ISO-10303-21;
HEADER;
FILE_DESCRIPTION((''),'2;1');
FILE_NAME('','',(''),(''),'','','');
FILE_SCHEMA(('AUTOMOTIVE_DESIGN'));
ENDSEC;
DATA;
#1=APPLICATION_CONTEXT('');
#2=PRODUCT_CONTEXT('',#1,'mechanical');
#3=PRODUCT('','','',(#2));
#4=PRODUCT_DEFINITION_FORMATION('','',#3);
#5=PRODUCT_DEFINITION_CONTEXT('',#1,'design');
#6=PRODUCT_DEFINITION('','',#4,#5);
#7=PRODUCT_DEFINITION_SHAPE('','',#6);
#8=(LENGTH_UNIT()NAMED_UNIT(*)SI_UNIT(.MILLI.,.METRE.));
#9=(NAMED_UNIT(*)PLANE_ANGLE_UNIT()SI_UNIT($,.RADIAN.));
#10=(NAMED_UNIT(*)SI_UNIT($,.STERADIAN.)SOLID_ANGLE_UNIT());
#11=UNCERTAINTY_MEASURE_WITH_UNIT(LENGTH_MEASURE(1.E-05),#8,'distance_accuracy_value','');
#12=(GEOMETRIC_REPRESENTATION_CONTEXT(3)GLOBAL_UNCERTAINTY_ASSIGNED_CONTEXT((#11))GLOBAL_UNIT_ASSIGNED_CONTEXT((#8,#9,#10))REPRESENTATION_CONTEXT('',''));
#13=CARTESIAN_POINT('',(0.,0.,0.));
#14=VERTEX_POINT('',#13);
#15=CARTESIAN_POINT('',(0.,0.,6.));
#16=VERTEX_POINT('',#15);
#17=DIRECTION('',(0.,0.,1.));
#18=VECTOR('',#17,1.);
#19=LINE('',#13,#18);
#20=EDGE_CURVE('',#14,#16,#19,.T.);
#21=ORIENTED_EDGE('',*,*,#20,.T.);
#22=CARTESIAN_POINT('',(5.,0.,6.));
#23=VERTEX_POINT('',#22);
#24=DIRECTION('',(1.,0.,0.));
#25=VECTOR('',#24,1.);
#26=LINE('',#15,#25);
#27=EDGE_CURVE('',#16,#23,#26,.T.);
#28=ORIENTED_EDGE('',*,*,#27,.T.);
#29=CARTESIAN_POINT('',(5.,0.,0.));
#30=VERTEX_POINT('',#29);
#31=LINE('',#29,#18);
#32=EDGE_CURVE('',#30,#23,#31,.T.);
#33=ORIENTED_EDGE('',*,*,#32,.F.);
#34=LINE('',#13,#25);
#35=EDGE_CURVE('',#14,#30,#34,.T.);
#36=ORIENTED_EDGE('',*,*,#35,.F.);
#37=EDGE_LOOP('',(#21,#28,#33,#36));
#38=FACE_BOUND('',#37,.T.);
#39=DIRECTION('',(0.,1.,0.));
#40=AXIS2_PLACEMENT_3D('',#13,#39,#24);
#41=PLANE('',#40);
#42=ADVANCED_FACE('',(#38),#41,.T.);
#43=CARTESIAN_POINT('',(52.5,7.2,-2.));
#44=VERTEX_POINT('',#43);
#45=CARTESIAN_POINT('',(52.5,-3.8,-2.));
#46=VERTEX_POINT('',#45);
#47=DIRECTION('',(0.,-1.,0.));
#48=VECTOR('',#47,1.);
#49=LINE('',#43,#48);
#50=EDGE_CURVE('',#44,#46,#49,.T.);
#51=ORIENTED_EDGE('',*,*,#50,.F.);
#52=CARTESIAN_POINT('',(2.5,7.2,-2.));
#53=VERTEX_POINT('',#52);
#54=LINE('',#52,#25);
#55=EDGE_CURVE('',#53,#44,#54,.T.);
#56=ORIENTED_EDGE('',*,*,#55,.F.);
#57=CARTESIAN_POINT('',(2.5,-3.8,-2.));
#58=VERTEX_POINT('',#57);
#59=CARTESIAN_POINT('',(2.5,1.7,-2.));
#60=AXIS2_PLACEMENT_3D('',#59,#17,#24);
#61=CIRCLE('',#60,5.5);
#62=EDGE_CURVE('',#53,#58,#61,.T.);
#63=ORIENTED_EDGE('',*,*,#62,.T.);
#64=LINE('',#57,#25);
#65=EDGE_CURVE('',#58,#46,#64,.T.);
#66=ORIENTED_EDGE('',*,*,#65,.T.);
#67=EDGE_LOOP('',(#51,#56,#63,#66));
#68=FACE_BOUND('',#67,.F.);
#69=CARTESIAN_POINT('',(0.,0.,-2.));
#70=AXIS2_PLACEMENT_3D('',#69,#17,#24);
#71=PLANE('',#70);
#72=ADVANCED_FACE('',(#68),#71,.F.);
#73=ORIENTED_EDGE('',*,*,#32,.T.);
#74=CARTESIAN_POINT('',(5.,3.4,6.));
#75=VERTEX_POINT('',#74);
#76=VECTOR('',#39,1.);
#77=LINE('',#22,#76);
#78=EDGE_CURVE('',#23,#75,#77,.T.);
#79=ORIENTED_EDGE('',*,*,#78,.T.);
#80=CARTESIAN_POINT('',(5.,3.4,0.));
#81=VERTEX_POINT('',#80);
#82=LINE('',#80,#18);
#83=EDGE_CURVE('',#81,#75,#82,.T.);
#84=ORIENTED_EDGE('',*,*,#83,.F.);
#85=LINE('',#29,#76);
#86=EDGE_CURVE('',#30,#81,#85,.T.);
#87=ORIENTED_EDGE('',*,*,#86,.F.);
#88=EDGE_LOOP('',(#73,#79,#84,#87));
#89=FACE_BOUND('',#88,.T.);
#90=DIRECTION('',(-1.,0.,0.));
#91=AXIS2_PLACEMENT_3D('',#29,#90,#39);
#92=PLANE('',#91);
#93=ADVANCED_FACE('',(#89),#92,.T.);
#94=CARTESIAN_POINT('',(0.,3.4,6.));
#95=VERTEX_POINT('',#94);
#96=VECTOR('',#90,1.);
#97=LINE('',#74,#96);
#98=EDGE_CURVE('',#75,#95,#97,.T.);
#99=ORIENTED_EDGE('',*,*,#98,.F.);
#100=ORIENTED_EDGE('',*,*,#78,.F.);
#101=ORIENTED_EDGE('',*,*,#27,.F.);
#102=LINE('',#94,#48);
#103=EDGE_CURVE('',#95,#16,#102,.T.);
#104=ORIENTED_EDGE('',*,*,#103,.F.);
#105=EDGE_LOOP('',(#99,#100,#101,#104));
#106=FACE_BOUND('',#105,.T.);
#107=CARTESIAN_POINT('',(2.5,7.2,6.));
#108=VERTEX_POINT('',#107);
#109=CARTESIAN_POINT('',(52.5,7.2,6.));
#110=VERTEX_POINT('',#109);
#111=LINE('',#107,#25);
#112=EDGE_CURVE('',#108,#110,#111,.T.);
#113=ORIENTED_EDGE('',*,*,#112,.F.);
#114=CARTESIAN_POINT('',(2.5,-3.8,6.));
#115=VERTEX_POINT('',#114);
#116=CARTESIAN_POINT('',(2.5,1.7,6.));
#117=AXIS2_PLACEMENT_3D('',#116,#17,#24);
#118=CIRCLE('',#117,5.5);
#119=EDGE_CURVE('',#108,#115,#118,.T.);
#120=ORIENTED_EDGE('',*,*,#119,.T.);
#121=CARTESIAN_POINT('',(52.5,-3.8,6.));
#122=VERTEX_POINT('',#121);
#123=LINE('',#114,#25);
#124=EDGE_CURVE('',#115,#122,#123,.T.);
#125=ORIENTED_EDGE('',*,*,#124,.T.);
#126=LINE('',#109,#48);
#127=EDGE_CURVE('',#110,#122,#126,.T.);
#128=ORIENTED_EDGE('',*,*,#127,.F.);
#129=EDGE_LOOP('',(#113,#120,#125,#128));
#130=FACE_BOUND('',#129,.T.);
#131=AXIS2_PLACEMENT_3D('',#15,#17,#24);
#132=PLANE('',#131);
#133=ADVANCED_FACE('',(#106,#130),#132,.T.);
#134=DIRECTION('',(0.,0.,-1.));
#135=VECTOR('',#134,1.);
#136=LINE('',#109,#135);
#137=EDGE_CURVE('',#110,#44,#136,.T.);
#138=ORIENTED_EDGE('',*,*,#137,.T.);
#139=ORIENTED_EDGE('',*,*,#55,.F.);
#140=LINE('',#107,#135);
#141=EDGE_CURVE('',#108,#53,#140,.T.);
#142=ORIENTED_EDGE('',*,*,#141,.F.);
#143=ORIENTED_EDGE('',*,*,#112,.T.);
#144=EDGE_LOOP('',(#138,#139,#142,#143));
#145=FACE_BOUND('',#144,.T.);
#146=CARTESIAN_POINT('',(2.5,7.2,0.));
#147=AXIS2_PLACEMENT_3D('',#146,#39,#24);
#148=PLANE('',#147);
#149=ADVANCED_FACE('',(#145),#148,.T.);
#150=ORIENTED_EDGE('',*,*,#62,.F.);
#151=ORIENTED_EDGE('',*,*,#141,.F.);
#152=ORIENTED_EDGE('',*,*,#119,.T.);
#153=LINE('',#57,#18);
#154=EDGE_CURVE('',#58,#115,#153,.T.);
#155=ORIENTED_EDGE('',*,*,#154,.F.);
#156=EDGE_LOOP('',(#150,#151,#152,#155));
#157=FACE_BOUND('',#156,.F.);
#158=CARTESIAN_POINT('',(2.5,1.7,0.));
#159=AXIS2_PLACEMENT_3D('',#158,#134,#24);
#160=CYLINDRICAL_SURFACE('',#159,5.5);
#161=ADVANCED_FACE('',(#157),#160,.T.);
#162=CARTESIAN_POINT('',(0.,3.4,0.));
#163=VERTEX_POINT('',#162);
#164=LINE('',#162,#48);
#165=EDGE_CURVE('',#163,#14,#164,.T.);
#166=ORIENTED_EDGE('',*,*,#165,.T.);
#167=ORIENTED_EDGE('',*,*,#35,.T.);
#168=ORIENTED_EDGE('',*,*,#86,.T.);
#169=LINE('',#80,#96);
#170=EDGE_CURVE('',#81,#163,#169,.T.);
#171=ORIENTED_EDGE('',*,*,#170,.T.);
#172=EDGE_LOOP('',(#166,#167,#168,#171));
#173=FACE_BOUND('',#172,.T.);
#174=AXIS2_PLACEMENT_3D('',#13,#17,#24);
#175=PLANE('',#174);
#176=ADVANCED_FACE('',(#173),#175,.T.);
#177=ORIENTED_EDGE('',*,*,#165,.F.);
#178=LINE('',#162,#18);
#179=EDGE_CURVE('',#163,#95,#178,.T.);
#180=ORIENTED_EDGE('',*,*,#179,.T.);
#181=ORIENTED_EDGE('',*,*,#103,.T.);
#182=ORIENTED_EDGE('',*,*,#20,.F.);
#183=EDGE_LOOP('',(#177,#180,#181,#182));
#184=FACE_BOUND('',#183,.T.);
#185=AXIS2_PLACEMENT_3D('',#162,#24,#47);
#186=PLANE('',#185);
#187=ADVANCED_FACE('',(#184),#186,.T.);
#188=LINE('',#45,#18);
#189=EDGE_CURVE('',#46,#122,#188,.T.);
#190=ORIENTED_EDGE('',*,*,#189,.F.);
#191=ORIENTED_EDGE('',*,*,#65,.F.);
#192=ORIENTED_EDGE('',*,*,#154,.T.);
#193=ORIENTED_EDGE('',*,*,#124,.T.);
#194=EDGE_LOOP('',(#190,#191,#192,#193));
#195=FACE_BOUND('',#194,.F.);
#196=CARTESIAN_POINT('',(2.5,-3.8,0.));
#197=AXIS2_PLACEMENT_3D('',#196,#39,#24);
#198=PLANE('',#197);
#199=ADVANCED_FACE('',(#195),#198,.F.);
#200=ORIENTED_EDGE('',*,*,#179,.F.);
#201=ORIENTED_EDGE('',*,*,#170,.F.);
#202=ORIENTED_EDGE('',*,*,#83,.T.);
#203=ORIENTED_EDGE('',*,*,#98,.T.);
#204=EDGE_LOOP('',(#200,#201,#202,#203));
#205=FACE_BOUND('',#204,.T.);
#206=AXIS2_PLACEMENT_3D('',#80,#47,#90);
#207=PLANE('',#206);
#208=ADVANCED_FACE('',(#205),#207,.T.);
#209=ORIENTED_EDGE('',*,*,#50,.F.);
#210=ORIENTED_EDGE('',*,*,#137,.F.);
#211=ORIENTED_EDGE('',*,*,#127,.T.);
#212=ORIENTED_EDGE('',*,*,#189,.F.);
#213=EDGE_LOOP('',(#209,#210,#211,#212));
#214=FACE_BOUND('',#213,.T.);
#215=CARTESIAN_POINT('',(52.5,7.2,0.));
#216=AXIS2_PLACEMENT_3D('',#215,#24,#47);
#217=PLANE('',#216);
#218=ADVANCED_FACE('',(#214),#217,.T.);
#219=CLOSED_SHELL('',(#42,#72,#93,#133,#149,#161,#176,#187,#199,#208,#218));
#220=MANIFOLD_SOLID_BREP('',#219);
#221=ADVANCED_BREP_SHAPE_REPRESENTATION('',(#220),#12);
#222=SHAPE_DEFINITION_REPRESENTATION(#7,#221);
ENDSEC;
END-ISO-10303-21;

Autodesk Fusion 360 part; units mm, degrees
sketch "Sketch1" plane through (0, 0, 0) normal (0, 0, 1) x (1, 0, 0)
  line L0 (0, 0) -> (5, 0)
  line L1 (5, 0) -> (5, 3.4)
  line L2 (5, 3.4) -> (0, 3.4)
  line L3 (0, 3.4) -> (0, 0)
  circle A0 centre (2.5, 1.7) radius 5.5
  line L4 (2.5, -3.8) -> (52.5, -3.8)
  line L5 (2.5, 7.2) -> (52.5, 7.2)
  line L6 (52.5, 7.2) -> (52.5, -3.8)
  dimension "d1" = 5
  dimension "d2" = 3.4
  dimension "d3" = 5
  dimension "d4" = 11
  dimension "d5" = 50
extrude "Extrude1" add sketch "Sketch1" along normal blind 6
extrude "Extrude2" add sketch "Sketch1" against normal blind 2 contours L0 L1 L2 L3 | A0 | A0 L4 L5 L6
